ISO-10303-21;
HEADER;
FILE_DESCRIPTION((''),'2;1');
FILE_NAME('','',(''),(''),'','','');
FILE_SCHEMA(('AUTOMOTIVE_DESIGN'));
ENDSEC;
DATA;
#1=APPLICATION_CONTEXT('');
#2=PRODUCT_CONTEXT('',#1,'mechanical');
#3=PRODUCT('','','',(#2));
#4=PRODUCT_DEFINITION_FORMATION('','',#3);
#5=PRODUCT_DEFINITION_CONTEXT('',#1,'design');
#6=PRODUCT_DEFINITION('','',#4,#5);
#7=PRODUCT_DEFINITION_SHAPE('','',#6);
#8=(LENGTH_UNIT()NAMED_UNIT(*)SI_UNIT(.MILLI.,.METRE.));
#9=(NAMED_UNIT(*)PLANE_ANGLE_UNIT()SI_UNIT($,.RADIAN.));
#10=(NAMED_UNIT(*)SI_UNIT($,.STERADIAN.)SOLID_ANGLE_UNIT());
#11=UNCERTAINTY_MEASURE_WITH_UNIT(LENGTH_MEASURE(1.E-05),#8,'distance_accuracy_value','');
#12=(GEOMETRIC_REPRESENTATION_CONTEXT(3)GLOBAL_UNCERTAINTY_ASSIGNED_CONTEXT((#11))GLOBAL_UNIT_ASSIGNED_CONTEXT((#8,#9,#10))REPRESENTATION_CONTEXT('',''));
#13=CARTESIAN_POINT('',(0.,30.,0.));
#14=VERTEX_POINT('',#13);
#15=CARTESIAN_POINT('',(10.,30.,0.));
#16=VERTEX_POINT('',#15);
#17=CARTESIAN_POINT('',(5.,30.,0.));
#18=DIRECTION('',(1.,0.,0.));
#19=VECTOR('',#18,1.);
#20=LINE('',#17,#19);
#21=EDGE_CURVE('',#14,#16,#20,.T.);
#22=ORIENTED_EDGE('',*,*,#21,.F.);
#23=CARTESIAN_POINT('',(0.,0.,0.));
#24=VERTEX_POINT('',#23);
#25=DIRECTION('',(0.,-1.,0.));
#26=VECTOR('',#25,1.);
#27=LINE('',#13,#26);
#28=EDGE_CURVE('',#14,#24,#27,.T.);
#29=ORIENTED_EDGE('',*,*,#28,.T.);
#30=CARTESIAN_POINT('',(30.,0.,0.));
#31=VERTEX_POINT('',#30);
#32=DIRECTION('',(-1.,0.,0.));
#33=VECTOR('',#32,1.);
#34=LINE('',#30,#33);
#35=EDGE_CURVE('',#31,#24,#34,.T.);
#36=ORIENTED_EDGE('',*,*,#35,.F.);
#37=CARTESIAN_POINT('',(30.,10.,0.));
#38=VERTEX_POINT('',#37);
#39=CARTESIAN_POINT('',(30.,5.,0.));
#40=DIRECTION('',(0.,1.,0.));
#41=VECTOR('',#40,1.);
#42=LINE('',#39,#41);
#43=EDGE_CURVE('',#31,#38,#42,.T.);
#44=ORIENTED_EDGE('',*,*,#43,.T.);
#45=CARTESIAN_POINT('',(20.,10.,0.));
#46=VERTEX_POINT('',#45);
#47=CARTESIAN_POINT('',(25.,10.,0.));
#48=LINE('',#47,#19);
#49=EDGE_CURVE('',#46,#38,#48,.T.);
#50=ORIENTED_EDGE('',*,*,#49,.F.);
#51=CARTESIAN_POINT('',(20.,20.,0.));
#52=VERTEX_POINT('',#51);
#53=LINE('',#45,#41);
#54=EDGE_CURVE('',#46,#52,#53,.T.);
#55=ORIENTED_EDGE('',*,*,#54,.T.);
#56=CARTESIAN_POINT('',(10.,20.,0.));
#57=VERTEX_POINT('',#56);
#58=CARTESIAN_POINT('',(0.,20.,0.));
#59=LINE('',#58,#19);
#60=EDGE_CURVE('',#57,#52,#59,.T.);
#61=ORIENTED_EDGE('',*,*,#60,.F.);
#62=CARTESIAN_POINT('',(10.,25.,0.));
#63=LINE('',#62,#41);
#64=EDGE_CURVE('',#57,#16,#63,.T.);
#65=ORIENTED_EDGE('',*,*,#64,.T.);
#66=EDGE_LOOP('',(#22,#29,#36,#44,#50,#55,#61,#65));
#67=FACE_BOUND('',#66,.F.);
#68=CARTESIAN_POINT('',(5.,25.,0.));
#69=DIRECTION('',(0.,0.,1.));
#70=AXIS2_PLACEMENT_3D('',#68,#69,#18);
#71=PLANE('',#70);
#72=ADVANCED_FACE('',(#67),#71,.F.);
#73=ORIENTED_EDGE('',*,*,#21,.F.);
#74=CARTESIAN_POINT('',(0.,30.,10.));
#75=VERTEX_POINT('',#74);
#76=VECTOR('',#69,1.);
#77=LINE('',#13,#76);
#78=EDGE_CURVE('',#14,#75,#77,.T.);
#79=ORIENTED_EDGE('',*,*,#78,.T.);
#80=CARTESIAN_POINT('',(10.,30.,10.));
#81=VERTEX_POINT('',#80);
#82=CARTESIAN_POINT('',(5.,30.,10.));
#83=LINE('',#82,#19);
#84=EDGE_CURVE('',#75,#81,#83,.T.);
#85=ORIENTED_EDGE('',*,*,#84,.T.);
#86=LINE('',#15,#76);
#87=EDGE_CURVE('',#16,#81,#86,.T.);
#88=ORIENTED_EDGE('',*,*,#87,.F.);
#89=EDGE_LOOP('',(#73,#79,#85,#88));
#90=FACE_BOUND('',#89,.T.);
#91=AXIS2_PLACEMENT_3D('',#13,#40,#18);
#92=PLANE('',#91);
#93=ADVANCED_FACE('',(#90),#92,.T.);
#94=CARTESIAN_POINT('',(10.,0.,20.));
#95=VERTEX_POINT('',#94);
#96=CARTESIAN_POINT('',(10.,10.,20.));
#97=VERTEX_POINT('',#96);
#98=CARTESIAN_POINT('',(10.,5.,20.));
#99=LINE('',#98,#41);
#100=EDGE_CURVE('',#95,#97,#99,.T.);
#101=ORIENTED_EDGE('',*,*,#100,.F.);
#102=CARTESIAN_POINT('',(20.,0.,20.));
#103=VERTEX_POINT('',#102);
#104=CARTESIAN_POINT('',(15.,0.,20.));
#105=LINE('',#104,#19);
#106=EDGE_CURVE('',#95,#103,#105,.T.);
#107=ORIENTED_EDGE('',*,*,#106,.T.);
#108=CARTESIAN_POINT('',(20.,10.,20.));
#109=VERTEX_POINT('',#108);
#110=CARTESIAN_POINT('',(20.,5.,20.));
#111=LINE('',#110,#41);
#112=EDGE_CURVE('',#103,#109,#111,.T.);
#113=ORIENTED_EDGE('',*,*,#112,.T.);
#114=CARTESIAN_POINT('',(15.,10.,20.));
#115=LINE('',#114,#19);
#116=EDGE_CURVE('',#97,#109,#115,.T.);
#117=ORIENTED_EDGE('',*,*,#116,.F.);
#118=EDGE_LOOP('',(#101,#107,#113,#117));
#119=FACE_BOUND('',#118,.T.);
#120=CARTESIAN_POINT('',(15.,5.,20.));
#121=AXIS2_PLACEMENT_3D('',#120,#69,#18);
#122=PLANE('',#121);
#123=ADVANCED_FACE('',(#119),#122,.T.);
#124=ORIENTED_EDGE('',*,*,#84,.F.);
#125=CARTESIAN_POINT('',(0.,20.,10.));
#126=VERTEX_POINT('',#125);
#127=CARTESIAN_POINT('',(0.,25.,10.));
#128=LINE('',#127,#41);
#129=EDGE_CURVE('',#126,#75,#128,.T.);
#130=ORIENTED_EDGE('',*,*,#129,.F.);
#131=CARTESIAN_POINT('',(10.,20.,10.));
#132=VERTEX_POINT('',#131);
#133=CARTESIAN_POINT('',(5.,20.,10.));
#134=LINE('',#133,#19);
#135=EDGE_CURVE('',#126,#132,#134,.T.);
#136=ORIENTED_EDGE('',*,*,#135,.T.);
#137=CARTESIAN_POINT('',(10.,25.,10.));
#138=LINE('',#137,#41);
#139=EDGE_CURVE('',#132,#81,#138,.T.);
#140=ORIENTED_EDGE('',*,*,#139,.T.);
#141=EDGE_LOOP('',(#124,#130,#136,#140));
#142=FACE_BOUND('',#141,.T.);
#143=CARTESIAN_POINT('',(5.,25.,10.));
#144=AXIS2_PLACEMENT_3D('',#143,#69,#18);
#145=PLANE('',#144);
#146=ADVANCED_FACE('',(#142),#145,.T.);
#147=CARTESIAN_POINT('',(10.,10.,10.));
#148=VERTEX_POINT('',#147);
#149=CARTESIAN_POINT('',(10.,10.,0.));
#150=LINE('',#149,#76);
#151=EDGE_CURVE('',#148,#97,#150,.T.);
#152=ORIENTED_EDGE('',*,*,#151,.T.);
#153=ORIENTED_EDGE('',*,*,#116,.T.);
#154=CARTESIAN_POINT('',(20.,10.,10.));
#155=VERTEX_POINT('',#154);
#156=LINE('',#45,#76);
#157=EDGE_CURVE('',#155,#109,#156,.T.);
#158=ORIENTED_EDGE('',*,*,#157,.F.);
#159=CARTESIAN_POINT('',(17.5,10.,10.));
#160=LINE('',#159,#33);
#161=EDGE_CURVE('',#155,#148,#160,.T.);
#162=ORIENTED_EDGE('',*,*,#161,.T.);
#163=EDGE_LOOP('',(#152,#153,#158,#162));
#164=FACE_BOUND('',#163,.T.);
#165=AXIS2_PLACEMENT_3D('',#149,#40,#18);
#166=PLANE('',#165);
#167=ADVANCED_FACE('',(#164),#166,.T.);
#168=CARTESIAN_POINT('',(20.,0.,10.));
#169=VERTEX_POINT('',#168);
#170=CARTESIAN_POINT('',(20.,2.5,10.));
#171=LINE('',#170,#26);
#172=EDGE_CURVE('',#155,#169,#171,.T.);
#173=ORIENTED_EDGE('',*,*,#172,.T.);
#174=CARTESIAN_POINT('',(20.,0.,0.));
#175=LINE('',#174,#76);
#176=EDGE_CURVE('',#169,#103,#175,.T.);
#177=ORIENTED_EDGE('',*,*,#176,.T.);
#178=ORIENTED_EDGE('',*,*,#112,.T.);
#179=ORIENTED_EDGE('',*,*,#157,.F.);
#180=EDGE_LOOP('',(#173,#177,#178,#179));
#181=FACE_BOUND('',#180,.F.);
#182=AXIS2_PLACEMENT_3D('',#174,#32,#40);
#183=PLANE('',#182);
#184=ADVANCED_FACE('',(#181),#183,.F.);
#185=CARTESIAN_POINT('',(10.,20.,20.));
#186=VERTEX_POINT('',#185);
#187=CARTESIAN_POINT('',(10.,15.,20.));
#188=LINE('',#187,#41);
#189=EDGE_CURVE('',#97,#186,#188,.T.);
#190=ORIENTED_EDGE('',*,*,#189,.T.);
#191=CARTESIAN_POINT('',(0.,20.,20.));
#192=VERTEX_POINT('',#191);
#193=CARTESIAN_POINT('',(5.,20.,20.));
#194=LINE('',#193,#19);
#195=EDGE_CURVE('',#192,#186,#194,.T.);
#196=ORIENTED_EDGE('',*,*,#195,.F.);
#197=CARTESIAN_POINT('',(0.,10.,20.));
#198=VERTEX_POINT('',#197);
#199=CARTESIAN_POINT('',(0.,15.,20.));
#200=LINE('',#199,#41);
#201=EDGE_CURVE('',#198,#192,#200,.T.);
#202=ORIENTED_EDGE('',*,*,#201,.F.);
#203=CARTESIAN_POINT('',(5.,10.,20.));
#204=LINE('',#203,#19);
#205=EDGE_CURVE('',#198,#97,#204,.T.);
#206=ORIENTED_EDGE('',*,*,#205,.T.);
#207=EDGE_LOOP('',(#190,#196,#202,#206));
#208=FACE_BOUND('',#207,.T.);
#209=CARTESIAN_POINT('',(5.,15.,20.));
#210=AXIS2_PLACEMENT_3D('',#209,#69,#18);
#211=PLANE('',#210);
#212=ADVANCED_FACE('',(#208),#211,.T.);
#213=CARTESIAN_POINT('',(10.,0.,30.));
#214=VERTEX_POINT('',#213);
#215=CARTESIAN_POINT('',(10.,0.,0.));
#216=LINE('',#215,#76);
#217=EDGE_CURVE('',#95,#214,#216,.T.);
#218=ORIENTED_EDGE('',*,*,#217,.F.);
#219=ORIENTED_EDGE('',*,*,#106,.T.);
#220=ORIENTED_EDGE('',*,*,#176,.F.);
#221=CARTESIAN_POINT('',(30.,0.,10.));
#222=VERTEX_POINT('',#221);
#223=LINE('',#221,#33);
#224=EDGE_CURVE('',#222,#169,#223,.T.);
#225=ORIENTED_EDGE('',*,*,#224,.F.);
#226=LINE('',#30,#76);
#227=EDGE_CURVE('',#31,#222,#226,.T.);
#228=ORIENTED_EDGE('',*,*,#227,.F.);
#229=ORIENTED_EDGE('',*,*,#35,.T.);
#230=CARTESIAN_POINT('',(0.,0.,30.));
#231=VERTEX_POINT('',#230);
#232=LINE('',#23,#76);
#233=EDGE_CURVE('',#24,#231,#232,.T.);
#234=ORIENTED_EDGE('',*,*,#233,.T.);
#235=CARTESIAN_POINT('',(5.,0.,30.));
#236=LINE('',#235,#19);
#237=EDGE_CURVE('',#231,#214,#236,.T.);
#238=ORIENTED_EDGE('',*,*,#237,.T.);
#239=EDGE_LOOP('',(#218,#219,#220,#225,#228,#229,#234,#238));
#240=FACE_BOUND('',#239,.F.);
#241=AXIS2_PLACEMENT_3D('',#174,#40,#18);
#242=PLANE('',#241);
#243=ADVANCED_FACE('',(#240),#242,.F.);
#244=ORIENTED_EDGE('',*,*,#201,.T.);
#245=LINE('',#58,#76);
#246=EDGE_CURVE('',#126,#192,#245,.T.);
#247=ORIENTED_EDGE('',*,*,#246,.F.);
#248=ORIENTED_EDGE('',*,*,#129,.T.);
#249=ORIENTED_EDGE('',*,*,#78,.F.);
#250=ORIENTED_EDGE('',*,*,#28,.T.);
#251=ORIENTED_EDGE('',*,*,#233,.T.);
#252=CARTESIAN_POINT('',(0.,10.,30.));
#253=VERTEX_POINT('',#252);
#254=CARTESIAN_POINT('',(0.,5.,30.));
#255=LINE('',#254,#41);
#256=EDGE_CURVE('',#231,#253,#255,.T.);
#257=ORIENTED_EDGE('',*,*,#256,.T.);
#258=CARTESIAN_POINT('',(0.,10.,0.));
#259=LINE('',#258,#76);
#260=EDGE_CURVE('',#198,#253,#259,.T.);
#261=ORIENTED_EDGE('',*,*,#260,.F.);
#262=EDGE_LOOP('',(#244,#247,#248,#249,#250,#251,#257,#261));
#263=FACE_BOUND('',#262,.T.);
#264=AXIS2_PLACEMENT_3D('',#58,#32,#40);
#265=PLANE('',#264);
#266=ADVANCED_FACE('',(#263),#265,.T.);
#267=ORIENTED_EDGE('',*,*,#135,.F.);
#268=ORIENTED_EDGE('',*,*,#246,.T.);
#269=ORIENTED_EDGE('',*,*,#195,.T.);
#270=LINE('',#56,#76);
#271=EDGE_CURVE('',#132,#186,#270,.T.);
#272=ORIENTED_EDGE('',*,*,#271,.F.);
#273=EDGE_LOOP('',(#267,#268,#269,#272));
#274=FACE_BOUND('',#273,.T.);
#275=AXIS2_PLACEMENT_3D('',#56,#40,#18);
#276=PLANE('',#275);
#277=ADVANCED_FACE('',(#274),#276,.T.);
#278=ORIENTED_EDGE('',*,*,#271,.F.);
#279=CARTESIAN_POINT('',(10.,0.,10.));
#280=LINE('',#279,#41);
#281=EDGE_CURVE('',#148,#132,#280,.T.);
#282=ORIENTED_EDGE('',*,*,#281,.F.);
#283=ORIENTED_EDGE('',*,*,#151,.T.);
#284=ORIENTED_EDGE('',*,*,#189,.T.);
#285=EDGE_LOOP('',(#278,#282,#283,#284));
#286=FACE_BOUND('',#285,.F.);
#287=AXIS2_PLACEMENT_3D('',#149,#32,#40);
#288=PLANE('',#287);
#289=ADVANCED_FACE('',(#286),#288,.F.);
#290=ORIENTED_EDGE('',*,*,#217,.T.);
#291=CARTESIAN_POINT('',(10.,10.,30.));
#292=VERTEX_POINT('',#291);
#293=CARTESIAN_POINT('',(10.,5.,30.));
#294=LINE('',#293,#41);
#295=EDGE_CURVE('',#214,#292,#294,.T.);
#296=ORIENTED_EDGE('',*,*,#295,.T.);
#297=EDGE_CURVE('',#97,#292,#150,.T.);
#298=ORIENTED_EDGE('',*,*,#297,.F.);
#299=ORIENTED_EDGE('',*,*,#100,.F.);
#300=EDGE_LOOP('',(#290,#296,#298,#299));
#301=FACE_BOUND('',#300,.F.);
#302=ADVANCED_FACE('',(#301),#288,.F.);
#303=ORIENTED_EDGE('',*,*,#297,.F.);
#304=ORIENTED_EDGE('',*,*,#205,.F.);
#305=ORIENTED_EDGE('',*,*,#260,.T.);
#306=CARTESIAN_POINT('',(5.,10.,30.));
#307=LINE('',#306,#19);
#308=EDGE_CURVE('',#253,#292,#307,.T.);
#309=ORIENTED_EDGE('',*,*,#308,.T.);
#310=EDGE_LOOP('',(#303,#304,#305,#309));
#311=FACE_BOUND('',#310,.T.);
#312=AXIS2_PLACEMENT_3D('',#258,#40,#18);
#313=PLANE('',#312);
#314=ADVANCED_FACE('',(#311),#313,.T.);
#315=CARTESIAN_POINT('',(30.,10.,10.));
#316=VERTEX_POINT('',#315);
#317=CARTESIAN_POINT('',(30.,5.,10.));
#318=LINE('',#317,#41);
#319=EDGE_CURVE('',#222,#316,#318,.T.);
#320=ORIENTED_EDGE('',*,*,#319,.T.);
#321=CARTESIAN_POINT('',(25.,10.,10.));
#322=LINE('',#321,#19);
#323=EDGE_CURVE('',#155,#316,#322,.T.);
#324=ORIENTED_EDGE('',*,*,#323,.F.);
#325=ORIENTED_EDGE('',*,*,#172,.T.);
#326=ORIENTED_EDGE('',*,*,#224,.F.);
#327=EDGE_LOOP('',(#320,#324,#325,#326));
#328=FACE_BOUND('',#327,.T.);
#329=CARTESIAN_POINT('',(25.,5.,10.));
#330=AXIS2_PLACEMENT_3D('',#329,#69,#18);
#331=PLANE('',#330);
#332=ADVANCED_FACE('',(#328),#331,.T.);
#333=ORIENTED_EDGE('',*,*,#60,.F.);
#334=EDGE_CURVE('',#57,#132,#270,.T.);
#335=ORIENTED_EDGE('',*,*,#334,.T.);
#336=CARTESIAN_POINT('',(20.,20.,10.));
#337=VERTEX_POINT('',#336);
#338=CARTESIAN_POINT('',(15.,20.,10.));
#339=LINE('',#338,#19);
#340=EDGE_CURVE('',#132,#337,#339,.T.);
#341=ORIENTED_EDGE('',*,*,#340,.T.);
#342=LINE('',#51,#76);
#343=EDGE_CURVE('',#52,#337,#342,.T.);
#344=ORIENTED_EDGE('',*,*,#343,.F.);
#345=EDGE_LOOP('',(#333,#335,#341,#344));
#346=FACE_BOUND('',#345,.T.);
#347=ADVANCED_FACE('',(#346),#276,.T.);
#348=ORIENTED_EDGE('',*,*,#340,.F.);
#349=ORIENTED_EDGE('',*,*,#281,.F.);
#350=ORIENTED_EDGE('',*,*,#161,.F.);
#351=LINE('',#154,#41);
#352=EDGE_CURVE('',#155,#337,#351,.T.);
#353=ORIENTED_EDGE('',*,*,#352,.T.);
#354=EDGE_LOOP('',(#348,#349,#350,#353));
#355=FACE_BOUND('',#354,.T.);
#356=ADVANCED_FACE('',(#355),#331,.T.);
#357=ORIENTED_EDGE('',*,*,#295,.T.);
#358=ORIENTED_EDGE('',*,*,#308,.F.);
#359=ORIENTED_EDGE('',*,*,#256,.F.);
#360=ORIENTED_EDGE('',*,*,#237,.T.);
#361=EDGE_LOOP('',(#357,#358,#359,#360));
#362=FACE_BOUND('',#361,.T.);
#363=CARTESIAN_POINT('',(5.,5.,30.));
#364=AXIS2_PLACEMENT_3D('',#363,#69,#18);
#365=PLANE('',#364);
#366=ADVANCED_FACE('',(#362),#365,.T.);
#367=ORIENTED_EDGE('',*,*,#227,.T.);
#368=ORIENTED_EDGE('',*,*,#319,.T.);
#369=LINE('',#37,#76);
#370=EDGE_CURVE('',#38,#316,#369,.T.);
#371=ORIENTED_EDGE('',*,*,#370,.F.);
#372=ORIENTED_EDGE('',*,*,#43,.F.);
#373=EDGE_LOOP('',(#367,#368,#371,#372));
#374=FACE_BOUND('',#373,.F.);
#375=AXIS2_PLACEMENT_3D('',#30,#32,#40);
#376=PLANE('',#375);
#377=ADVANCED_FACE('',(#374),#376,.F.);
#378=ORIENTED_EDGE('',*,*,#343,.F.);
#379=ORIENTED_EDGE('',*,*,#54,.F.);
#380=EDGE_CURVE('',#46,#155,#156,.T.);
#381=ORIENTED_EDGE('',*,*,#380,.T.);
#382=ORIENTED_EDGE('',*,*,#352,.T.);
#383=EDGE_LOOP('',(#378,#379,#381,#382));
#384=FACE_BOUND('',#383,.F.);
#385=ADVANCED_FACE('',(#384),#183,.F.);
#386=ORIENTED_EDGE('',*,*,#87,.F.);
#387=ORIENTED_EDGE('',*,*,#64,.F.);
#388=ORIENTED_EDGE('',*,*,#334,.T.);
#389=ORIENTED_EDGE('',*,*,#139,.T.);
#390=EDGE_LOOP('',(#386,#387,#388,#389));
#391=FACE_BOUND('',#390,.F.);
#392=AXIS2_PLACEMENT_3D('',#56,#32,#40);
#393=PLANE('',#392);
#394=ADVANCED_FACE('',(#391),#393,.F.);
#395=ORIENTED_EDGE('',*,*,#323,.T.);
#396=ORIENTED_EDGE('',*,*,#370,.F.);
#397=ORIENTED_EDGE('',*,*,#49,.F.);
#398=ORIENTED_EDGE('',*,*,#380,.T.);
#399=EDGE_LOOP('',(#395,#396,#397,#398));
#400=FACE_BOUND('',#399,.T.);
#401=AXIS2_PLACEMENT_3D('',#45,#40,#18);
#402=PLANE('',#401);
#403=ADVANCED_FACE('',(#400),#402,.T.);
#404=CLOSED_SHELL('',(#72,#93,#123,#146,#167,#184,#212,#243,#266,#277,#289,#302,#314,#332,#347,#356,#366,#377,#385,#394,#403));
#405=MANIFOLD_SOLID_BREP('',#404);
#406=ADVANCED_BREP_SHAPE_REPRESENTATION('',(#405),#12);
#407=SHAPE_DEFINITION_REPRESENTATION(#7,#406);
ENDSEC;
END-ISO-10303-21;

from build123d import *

# Parameters (mm, degrees)
BOX001_W     = 10
BOX001_H     = 10
BOX001_DEPTH = 20
BOX002_W     = 10
BOX002_H     = 20
BOX002_DEPTH = 10
BOX003_W     = 10
BOX003_H     = 10
BOX003_DEPTH = 10
BOX004_W     = 10
BOX004_H     = 10
BOX004_DEPTH = 10
BOX005_W     = 10
BOX005_H     = 10
BOX005_DEPTH = 10
BOX006_W     = 10
BOX006_H     = 10
BOX006_DEPTH = 20
BOX_W        = 10
BOX_H        = 10
BOX_DEPTH    = 30


with BuildPart() as cub001:
    # Box001 → Box001 (new body)
    with BuildSketch(Plane(origin=(0, 10, 0), x_dir=(1, 0, 0), z_dir=(0, 0, 1))):
        with Locations((5, 5)):
            Rectangle(BOX001_W, BOX001_H)
    extrude(amount=BOX001_DEPTH)


with BuildPart() as cub002:
    # Box002 → Box002 (new body)
    with BuildSketch(Plane(origin=(10, 0, 0), x_dir=(1, 0, 0), z_dir=(0, 0, 1))):
        with Locations((5, 10)):
            Rectangle(BOX002_W, BOX002_H)
    extrude(amount=BOX002_DEPTH)


with BuildPart() as cub003:
    # Box003 → Box003 (new body)
    with BuildSketch(Plane(origin=(20, 0, 0), x_dir=(1, 0, 0), z_dir=(0, 0, 1))):
        with Locations((5, 5)):
            Rectangle(BOX003_W, BOX003_H)
    extrude(amount=BOX003_DEPTH)


with BuildPart() as cub004:
    # Box004 → Box004 (new body)
    with BuildSketch(Plane(origin=(0, 20, 0), x_dir=(1, 0, 0), z_dir=(0, 0, 1))):
        with Locations((5, 5)):
            Rectangle(BOX004_W, BOX004_H)
    extrude(amount=BOX004_DEPTH)


with BuildPart() as cub005:
    # Box005 → Box005 (new body)
    with BuildSketch(Plane.XY):
        with Locations((5, 5)):
            Rectangle(BOX005_W, BOX005_H)
    extrude(amount=BOX005_DEPTH)


with BuildPart() as cub006:
    # Box006 → Box006 (new body)
    with BuildSketch(Plane(origin=(10, 0, 0), x_dir=(1, 0, 0), z_dir=(0, 0, 1))):
        with Locations((5, 5)):
            Rectangle(BOX006_W, BOX006_H)
    extrude(amount=BOX006_DEPTH)


with BuildPart() as cub:
    # Box → Box (new body)
    with BuildSketch(Plane.XY):
        with Locations((5, 5)):
            Rectangle(BOX_W, BOX_H)
    extrude(amount=BOX_DEPTH)


with BuildPart() as fusion001:
    # Fusion001 base: copy of Cub
    add(cub.part)

    # Fusion001: union Cub001, Cub002, Cub003, Cub004, Cub005, Cub006
    add(cub001.part)
    add(cub002.part)
    add(cub003.part)
    add(cub004.part)
    add(cub005.part)
    add(cub006.part)


with BuildPart() as fusion002:
    # Fusion002 base: copy of Cub
    add(cub.part)

    # Fusion002: union Cub001
    add(cub001.part)


with BuildPart() as fusion003:
    # Fusion003 base: copy of Cub
    add(cub.part)

    # Fusion003: union Cub001
    add(cub001.part)


with BuildPart() as fusion004:
    # Fusion004 base: copy of Cub
    add(cub.part)

    # Fusion004: union Cub001
    add(cub001.part)


with BuildPart() as fusion005:
    # Fusion base: copy of Cub
    add(cub.part)

    # Fusion: union Cub001, Cub002, Cub003, Cub004, Cub005, Cub006
    add(cub001.part)
    add(cub002.part)
    add(cub003.part)
    add(cub004.part)
    add(cub005.part)
    add(cub006.part)

    # Fusion005: union Fusion001, Fusion002, Fusion003, Fusion004
    add(fusion001.part)
    add(fusion002.part)
    add(fusion003.part)
    add(fusion004.part)


solid = fusion005.part
